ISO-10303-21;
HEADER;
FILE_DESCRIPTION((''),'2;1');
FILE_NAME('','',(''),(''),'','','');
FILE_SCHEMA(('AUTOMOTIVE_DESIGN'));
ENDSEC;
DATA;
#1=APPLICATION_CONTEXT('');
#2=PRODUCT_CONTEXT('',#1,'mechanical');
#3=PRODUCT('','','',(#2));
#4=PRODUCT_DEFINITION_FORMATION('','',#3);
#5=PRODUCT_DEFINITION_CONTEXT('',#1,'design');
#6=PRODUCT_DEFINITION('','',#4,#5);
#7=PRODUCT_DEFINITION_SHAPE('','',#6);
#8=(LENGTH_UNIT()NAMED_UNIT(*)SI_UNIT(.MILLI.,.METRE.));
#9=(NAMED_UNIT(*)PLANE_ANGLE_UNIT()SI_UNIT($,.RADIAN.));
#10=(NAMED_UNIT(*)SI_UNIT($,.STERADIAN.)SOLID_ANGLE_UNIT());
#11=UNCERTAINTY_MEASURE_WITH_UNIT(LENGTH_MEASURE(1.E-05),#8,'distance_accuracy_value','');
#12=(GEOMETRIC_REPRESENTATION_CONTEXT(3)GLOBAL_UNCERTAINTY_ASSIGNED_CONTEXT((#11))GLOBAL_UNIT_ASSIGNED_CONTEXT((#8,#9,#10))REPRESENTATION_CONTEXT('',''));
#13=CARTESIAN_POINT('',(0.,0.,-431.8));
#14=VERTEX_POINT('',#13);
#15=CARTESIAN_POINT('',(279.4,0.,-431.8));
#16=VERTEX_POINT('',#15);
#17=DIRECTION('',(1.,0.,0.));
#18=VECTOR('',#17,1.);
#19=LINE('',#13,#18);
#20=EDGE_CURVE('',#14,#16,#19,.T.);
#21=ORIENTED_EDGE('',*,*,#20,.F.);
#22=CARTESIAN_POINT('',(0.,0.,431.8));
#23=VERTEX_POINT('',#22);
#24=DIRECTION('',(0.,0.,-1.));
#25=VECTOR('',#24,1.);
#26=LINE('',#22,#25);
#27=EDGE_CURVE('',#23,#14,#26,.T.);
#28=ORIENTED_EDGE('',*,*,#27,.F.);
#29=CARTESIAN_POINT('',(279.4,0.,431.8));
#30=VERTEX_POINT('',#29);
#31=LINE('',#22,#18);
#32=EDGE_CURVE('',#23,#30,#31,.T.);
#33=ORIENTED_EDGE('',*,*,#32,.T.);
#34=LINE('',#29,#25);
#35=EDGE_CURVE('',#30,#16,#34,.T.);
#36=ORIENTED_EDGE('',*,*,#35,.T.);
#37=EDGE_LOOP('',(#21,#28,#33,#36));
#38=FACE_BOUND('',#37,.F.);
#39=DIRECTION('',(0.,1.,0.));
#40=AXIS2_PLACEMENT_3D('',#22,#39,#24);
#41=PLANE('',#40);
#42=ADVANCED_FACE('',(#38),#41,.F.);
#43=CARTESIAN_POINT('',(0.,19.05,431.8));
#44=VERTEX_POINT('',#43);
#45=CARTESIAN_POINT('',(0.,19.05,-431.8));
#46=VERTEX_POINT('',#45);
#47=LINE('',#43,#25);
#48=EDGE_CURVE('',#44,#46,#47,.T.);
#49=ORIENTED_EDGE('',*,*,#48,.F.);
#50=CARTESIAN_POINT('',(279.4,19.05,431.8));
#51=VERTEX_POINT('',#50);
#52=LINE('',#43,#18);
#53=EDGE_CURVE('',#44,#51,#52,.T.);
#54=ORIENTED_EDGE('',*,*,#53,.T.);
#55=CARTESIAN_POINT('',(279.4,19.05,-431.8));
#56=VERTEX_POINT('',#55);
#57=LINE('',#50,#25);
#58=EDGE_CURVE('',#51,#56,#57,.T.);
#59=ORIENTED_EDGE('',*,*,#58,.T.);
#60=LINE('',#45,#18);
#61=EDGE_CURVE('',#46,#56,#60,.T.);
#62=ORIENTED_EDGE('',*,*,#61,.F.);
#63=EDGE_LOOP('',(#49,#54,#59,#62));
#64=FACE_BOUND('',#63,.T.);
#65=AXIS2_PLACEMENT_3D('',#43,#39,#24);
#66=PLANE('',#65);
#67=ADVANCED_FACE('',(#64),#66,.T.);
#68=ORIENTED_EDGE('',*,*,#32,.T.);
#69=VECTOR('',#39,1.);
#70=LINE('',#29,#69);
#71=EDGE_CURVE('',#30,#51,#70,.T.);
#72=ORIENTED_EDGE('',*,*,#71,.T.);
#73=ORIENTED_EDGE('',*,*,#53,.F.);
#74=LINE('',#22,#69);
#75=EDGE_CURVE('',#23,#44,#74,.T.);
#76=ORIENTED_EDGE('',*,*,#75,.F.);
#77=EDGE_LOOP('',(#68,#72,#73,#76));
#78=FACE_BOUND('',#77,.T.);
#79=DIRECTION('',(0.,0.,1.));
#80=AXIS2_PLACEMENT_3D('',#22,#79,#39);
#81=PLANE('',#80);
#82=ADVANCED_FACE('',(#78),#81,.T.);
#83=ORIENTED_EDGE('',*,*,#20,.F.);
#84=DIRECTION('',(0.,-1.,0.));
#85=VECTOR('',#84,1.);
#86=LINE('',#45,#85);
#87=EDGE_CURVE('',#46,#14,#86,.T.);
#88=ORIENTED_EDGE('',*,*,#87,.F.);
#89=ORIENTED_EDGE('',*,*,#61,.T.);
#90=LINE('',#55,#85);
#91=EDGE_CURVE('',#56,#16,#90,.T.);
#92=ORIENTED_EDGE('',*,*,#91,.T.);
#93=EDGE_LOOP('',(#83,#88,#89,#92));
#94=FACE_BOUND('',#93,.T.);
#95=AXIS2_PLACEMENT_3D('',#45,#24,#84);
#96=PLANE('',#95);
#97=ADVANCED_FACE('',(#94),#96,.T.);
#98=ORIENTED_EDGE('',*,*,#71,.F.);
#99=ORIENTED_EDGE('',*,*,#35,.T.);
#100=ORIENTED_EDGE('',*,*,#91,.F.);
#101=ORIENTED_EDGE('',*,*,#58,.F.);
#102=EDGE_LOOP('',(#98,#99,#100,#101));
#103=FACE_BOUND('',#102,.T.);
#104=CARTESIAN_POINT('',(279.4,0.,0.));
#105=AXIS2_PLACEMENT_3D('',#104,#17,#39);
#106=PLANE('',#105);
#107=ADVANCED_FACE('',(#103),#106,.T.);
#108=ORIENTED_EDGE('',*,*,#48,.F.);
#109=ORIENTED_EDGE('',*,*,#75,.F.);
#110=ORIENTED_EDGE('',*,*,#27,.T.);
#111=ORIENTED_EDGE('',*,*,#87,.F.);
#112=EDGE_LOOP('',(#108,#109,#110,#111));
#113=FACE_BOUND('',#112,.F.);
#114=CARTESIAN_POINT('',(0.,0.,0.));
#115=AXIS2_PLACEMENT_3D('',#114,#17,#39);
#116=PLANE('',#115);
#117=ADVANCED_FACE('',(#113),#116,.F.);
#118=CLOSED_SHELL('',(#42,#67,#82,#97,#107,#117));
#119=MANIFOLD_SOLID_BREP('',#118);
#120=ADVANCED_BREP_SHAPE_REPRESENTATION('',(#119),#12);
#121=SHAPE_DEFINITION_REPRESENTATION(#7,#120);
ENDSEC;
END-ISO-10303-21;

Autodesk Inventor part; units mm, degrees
ref_plane "YZ Plane" through (0, 0, 0) normal (1, 0, 0) x (0, 1, 0)
ref_plane "XZ Plane" through (0, 0, 0) normal (0, 1, 0) x (-1, 0, 0)
ref_plane "XY Plane" through (0, 0, 0) normal (0, 0, 1) x (1, 0, 0)
sketch "Sketch1" plane through (0, 0, 0) normal (1, 0, 0) x (0, 1, 0)
  line L0 (0, 431.8) -> (0, -431.8)
  line L1 (0, 431.8) -> (19.05, 431.8)
  line L2 (19.05, 431.8) -> (19.05, -431.8)
  line L3 (19.05, -431.8) -> (0, -431.8)
  point P0 (0, 0)
  dimension "d0" = 863.6
  dimension "d1" = 19.05
extrude "Extrusion1" add sketch "Sketch1" along normal blind 279.4
properties part number "SIDE SH2" material "Wood (Birch)"
